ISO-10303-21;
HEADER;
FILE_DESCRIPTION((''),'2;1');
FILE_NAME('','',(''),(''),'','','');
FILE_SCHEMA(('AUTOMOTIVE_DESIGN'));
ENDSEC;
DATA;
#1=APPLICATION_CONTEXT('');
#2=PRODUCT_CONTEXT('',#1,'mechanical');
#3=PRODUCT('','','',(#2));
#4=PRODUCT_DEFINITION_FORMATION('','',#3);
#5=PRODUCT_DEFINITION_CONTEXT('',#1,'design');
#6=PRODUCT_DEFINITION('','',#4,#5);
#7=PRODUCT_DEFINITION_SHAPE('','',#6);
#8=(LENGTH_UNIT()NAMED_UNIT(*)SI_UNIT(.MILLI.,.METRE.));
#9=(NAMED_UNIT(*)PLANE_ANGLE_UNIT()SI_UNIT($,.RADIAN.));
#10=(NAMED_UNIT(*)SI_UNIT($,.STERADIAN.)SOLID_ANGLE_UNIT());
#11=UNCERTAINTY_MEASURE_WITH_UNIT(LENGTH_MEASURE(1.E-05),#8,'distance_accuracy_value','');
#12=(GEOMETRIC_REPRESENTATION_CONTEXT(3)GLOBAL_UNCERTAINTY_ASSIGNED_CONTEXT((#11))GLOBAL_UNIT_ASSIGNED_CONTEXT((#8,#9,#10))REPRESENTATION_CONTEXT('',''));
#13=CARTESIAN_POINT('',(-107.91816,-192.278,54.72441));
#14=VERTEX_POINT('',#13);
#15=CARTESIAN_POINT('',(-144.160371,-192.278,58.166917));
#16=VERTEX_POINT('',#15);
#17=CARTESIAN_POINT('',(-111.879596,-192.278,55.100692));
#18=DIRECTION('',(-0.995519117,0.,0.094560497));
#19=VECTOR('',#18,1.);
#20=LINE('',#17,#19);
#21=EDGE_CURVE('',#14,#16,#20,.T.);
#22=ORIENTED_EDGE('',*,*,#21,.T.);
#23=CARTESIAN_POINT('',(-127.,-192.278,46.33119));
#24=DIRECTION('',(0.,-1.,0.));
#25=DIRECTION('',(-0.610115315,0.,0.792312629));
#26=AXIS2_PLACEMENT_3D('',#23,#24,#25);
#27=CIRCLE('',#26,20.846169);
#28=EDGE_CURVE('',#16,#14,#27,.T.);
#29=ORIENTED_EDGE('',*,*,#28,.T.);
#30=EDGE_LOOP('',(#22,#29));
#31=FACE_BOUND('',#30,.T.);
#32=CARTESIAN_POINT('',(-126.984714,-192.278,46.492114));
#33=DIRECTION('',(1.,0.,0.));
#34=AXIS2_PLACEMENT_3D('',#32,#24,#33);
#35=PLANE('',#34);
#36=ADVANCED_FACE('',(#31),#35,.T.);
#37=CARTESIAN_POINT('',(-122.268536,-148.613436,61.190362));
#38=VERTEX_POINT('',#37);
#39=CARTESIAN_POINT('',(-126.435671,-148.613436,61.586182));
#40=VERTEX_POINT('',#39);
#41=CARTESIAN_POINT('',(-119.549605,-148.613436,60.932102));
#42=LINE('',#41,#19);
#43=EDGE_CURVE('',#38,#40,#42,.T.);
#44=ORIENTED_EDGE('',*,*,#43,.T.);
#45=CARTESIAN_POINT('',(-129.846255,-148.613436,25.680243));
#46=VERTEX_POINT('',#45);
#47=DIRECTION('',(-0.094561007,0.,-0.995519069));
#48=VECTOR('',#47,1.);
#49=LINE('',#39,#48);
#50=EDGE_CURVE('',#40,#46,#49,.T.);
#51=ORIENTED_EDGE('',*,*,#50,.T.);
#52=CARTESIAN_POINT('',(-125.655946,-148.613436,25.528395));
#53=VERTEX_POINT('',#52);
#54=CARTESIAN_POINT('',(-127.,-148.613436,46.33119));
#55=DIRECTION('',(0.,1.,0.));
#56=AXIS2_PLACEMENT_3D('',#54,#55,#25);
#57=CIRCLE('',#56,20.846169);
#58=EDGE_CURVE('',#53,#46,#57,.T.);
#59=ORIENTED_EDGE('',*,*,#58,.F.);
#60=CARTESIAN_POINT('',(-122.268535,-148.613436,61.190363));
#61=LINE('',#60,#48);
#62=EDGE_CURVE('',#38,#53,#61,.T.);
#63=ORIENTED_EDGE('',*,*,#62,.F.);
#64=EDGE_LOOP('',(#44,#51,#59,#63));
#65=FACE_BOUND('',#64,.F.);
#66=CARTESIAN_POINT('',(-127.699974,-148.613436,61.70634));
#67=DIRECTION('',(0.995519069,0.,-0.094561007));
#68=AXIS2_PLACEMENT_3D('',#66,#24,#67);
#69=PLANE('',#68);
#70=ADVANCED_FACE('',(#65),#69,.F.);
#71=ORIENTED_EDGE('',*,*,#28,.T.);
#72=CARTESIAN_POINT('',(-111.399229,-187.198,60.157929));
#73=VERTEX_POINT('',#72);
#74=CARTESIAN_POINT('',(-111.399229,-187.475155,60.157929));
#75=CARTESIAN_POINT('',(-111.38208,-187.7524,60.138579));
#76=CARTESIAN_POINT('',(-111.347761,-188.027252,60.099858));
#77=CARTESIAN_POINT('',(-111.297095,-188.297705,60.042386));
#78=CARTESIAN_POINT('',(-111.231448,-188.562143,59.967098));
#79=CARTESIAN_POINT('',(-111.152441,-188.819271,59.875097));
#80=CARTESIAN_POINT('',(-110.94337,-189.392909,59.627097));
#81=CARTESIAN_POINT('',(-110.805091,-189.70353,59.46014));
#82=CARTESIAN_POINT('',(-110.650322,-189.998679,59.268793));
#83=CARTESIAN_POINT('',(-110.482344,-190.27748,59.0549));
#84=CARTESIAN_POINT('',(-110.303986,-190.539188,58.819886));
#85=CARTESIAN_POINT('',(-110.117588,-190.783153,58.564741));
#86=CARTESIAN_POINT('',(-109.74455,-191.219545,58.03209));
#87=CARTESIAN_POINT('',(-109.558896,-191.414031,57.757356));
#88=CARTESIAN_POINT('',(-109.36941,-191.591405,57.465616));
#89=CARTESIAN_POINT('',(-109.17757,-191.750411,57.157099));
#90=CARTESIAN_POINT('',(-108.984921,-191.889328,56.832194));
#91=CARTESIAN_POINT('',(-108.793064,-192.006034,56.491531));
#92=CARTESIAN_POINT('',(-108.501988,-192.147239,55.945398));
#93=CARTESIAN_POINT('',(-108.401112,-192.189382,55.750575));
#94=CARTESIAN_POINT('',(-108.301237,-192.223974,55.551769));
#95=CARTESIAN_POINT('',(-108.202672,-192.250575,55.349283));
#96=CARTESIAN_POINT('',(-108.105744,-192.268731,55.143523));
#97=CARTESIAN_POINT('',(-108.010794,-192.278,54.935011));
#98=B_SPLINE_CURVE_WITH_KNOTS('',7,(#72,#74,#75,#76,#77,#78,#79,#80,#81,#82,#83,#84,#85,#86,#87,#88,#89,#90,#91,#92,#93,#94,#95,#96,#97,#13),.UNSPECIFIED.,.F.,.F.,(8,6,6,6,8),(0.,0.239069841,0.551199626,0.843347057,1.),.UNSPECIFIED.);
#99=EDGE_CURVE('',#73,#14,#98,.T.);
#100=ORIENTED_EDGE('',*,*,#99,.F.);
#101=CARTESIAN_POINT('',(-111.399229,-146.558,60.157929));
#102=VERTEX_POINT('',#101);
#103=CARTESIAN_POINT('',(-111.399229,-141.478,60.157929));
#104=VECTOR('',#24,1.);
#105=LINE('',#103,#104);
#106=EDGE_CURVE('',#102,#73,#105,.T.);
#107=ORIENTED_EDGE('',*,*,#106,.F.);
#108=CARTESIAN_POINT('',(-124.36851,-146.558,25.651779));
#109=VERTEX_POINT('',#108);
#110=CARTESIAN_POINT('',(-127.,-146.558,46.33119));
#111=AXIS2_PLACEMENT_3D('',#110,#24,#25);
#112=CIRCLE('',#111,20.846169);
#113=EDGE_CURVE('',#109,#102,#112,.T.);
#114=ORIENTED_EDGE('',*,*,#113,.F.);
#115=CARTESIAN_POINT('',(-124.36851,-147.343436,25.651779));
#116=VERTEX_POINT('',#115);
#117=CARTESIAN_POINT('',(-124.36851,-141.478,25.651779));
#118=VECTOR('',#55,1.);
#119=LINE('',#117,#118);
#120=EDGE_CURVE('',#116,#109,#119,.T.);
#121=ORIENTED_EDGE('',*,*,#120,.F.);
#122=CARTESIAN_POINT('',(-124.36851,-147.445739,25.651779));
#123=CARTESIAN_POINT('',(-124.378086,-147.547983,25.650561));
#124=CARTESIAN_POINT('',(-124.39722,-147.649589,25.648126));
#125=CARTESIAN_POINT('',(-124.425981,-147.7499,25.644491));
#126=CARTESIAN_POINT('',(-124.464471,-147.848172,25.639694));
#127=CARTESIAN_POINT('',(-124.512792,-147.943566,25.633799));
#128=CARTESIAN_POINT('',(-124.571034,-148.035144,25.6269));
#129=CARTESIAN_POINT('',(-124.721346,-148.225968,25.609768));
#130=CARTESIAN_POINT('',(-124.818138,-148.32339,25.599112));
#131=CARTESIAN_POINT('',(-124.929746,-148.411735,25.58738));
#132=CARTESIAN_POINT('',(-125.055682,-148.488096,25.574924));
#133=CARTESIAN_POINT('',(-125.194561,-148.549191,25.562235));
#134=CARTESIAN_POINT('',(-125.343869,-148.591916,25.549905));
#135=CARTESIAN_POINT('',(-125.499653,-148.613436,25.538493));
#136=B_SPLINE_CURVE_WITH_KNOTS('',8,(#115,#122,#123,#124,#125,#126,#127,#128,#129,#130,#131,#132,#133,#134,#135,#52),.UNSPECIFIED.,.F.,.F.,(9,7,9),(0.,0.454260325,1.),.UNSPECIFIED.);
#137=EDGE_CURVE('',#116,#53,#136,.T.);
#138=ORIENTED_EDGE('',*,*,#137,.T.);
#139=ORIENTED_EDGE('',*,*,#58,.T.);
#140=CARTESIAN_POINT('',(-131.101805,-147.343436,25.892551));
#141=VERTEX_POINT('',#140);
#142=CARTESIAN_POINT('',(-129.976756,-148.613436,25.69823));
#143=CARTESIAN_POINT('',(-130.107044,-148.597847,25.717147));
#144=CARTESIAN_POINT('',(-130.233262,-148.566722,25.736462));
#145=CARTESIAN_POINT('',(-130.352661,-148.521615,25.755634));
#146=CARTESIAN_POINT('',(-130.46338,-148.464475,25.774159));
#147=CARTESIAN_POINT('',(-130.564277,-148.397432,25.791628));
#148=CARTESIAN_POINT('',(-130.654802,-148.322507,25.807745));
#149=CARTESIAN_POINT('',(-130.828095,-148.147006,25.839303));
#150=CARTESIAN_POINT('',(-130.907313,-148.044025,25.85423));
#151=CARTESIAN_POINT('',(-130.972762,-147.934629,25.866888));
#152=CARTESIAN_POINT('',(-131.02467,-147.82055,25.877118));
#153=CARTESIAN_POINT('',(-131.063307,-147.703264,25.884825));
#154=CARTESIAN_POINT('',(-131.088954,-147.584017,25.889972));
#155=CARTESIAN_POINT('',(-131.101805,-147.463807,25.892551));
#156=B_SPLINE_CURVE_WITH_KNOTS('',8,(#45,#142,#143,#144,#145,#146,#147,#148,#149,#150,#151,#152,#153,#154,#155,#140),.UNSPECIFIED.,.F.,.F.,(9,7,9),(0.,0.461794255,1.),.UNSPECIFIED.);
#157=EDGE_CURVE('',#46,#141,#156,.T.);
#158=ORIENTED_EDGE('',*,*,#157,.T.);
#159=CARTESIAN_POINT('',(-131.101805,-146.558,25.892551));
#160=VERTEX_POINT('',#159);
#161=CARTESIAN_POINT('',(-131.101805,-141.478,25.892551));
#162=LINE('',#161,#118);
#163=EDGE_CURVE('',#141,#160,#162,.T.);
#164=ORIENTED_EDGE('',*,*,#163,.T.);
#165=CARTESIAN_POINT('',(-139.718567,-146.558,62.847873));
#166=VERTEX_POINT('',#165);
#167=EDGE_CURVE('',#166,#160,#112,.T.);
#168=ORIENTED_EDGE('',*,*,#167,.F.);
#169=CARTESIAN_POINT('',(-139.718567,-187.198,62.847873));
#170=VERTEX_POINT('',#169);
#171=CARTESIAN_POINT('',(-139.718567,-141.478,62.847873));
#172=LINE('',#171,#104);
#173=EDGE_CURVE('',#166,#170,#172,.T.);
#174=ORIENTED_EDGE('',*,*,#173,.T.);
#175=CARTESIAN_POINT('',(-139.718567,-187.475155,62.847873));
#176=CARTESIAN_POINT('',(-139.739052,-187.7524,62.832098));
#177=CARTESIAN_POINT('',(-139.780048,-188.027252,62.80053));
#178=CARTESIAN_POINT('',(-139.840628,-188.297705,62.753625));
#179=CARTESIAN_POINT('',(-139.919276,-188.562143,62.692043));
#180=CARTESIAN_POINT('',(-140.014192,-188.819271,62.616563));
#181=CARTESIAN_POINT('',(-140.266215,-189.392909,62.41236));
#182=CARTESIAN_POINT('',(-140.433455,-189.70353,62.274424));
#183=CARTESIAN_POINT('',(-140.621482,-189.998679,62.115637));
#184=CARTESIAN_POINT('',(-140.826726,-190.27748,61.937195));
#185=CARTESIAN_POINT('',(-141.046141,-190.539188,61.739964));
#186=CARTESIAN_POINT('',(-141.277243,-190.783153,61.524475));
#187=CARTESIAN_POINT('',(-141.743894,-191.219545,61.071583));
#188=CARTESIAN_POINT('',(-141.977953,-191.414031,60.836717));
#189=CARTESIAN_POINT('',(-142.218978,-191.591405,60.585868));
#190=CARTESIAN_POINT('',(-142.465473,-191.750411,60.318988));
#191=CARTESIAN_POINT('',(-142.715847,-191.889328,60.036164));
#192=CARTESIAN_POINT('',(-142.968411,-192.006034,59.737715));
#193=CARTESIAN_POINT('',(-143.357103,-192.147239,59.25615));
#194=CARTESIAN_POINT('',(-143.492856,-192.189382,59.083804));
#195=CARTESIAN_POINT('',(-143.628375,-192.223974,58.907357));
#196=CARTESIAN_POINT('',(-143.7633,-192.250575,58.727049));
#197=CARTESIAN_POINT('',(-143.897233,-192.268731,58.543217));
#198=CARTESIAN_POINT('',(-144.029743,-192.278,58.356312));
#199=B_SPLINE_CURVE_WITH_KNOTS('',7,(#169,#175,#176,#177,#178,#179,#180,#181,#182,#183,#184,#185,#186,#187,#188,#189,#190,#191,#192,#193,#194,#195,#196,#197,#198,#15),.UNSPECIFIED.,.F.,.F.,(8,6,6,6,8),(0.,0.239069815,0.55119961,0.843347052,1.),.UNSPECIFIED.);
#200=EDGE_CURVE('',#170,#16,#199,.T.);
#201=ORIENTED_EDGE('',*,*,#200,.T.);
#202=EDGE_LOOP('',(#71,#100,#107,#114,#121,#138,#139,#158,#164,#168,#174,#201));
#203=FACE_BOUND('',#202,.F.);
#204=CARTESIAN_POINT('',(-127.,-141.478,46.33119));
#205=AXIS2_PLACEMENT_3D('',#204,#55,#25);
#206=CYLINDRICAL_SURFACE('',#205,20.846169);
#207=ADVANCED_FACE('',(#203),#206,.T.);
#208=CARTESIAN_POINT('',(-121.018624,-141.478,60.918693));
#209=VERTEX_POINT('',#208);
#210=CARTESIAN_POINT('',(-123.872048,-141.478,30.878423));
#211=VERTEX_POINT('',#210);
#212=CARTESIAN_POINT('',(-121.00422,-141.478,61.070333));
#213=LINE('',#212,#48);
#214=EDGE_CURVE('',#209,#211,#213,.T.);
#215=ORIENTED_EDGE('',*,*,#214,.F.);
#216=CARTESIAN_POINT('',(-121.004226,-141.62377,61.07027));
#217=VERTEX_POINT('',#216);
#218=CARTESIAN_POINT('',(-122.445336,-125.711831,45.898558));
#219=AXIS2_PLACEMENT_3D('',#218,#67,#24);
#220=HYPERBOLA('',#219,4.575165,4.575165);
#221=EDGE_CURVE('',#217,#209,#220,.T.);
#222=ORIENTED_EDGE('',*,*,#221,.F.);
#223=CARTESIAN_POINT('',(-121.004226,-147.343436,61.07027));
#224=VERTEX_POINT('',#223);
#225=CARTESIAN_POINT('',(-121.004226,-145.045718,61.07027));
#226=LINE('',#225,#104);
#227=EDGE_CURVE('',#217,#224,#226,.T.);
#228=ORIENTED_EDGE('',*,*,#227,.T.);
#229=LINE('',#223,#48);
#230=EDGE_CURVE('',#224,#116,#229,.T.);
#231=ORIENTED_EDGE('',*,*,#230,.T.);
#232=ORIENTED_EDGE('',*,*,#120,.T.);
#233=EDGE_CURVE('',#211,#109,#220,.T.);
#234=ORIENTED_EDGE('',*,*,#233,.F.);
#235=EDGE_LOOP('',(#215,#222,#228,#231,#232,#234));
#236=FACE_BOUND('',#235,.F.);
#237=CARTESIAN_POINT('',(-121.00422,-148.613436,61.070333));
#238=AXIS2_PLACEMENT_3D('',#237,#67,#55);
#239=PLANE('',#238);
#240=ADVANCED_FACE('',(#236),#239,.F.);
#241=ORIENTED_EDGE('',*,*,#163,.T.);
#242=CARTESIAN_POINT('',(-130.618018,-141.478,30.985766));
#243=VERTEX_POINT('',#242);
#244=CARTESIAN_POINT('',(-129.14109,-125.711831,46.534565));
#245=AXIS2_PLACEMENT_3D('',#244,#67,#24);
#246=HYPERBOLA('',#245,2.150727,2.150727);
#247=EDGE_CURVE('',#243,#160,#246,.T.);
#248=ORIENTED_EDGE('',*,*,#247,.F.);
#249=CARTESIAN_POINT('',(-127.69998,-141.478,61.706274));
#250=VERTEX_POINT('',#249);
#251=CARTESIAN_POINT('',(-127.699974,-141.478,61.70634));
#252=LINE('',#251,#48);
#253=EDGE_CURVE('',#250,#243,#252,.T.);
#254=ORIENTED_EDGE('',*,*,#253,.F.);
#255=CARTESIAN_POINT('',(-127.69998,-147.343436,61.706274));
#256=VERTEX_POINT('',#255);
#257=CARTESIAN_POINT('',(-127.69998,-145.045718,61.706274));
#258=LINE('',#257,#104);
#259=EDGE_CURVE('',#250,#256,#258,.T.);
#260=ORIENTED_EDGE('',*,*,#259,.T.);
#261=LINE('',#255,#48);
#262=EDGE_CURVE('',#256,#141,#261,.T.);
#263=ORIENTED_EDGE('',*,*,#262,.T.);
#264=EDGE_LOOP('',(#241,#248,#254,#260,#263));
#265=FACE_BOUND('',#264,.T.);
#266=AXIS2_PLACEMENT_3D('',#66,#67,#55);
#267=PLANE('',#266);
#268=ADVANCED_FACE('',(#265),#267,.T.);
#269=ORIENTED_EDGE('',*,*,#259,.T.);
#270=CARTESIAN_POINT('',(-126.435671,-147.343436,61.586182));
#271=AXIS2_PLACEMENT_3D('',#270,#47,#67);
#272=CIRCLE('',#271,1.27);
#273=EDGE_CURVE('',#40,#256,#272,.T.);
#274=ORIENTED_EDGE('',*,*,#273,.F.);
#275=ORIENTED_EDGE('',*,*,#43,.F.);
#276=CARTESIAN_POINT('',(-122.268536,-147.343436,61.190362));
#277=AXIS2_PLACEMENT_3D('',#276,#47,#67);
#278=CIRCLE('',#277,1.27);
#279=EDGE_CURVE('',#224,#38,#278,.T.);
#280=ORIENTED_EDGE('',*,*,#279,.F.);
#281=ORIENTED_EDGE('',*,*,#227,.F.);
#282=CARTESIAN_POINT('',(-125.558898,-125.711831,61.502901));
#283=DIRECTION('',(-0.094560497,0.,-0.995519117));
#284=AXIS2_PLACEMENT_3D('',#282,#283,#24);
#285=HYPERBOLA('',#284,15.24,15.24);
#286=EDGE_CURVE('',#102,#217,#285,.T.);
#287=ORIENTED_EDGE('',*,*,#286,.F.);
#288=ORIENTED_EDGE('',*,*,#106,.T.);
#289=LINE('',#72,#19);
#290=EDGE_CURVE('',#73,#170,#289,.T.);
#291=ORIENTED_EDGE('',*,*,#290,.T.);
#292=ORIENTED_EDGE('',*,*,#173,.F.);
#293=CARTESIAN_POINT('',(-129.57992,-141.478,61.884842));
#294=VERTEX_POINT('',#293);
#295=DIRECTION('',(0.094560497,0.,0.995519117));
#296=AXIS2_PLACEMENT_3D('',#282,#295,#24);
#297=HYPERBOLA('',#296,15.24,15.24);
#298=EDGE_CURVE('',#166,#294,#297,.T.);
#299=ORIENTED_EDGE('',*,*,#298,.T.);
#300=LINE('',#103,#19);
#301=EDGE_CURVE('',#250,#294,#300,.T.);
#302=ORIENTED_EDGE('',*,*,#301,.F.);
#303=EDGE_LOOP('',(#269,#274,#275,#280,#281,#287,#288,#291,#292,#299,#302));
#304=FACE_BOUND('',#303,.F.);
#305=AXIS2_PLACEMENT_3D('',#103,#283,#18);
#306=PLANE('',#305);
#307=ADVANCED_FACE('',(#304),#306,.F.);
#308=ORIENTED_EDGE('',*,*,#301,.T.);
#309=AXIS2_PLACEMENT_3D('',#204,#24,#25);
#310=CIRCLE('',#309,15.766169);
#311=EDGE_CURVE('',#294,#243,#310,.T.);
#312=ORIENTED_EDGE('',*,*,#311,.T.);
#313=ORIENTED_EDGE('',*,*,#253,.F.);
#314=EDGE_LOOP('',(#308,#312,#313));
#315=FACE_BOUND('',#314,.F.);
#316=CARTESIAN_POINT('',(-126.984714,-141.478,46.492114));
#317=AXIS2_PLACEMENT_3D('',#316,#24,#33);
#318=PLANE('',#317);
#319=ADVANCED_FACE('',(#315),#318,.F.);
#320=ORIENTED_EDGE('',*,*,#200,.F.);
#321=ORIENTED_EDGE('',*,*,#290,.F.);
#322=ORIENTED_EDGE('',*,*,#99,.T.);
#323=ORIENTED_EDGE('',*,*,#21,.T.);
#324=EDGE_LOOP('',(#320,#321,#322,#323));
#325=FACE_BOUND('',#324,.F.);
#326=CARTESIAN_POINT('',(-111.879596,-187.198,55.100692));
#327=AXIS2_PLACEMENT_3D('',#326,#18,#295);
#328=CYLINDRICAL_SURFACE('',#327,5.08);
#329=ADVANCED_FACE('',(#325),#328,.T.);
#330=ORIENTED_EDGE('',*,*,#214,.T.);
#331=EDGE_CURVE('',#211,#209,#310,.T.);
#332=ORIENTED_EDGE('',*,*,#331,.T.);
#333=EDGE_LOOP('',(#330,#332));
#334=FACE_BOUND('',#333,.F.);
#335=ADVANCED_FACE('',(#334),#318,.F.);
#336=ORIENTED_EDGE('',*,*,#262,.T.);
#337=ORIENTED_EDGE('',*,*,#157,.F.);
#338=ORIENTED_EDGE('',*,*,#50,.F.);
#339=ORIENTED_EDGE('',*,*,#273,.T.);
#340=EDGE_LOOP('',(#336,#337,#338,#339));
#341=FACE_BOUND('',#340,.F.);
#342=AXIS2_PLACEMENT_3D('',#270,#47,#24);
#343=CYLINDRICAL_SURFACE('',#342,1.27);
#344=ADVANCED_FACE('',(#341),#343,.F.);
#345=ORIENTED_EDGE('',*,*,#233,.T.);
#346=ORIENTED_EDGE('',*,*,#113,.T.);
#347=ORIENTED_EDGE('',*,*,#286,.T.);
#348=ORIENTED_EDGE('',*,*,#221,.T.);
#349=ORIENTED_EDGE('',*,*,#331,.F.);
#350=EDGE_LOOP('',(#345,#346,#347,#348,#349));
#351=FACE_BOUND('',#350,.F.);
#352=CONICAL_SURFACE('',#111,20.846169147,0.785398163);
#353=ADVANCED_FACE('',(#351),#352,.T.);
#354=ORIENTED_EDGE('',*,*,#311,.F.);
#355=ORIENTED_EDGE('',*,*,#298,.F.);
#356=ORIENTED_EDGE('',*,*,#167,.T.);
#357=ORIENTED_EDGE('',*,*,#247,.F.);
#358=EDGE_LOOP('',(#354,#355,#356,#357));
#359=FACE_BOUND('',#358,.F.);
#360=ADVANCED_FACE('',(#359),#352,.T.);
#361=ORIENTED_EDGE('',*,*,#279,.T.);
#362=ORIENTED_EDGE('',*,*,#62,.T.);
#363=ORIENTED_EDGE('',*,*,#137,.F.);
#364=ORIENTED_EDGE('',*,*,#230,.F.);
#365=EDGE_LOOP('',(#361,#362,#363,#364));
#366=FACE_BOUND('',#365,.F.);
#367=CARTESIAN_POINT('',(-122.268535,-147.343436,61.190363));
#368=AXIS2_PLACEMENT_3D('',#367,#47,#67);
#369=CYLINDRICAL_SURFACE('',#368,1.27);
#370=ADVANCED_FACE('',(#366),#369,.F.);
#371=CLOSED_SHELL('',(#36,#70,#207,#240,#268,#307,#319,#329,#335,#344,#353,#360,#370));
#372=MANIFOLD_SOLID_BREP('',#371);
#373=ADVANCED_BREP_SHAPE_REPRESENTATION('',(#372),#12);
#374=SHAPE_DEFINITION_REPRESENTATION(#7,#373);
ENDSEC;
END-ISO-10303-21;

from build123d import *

# Parameters (mm, degrees)
F3_DEPTH = 50.8
F4_R     = 5.08
F5_SIZE  = 5.08
F7_W     = 6.725892
F7_H     = 7.135436
F8_DEPTH = 50.8
F9_R     = 1.27


with BuildPart() as f3:
    # F2 (on offset) → F3 (new body)
    with BuildSketch(Plane.XZ.offset(141.478)):
        with BuildLine():
            Line((-111.399229, 60.157929), (-139.718567, 62.847873))
            ThreePointArc((-139.718567, 62.847873), (-128.971224, 25.57843), (-111.399229, 60.157929))
        make_face()
    extrude(amount=F3_DEPTH)

    # F4
    f4_edges = [f3.edges().sort_by_distance(p)[0] for p in [
        (-125.558898, -192.278, 61.502901),
    ]]
    fillet(f4_edges, radius=F4_R)

    # F5
    f5_edges = [f3.edges().sort_by_distance(p)[0] for p in [
        (-128.971224, -141.478, 25.57843),
    ]]
    chamfer(f5_edges, length=F5_SIZE)

    # F7 (on face) → F8 (cut)
    with BuildSketch(Plane(origin=(4.666977, 0, 49.133249), x_dir=(0.995519, 0, -0.094561), z_dir=(0.094561, 0, 0.995519))):
        with Locations((-129.599802, -145.045718)):
            Rectangle(F7_W, F7_H)
    extrude(amount=-F8_DEPTH, mode=Mode.SUBTRACT)

    # F9
    f9_edges = [f3.edges().sort_by_distance(p)[0] for p in [
        (-129.400884, -148.613436, 43.799411),
        (-122.686359, -148.613436, 43.361026),
    ]]
    fillet(f9_edges, radius=F9_R)


solid = f3.part
